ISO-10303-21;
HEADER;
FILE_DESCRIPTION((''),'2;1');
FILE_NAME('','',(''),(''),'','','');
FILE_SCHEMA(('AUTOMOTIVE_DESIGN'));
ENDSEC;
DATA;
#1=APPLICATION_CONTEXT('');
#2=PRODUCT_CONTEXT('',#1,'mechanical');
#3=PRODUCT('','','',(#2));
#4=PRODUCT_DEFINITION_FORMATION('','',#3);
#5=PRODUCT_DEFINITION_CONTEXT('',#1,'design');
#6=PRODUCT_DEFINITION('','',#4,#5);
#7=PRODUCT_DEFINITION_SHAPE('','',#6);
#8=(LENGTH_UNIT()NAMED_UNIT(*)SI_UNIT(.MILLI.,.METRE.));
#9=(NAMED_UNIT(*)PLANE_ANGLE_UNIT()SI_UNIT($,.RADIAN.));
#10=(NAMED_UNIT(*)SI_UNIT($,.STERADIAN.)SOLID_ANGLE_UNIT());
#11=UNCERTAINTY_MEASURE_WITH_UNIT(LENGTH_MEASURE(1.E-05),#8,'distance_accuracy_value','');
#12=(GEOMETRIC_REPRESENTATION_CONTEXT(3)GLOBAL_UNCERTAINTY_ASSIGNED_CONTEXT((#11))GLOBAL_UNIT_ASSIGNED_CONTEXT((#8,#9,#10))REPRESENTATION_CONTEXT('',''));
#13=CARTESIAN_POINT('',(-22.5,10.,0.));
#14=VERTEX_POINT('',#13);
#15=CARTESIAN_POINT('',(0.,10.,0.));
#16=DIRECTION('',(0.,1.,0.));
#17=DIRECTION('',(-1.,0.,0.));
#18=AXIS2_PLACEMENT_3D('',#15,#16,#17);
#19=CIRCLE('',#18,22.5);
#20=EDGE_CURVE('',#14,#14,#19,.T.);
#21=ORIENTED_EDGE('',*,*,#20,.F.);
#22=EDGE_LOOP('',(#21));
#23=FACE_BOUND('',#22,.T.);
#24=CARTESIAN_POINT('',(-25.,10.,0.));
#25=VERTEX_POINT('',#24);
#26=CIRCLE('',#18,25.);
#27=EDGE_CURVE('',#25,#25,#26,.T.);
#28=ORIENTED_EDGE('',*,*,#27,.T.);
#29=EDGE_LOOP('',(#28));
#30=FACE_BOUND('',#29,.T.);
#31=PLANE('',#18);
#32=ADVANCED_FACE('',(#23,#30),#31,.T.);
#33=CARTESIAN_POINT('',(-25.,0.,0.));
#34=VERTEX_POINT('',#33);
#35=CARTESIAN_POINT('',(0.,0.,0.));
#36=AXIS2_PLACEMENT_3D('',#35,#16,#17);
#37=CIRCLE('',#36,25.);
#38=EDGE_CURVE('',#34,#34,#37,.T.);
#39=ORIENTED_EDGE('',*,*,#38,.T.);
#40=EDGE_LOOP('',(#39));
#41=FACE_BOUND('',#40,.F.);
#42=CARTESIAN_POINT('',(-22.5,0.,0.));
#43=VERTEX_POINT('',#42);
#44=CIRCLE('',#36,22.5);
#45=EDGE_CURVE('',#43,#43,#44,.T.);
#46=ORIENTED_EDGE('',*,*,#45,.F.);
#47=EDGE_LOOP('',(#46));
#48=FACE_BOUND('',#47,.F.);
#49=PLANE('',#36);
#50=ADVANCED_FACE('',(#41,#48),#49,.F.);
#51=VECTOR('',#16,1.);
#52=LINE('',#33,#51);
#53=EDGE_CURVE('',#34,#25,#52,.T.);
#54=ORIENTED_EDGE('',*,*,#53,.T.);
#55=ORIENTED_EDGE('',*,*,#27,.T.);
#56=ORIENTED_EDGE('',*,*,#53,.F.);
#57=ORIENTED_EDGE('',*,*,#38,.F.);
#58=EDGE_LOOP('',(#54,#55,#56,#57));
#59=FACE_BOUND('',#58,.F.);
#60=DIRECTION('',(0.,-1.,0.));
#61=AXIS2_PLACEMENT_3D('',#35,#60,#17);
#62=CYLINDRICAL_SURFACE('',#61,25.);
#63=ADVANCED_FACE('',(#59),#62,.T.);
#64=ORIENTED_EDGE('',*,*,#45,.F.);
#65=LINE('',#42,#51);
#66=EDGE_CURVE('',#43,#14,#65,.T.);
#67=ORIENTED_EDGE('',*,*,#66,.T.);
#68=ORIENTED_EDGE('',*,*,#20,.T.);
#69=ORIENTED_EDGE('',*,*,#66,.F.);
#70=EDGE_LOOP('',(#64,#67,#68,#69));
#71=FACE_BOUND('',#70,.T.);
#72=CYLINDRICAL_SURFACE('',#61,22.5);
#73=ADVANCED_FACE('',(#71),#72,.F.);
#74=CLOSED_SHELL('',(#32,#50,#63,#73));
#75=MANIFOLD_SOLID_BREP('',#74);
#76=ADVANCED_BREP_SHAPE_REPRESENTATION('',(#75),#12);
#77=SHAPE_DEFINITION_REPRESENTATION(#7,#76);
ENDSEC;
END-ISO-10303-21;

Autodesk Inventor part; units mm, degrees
ref_plane "YZ Plane" through (0, 0, 0) normal (1, 0, 0) x (0, 1, 0)
ref_plane "XZ Plane" through (0, 0, 0) normal (0, 1, 0) x (-1, 0, 0)
ref_plane "XY Plane" through (0, 0, 0) normal (0, 0, 1) x (1, 0, 0)
sketch "Sketch1" plane through (0, 0, 0) normal (0, 1, 0) x (-1, 0, 0)
  circle A0 centre (0, 0) radius 22.5
  circle A1 centre (0, 0) radius 25
  dimension "d0" = 45
  dimension "d1" = 50
extrude "Extrusion1" add sketch "Sketch1" along normal blind 10
properties part number "impromptugraphitering"
